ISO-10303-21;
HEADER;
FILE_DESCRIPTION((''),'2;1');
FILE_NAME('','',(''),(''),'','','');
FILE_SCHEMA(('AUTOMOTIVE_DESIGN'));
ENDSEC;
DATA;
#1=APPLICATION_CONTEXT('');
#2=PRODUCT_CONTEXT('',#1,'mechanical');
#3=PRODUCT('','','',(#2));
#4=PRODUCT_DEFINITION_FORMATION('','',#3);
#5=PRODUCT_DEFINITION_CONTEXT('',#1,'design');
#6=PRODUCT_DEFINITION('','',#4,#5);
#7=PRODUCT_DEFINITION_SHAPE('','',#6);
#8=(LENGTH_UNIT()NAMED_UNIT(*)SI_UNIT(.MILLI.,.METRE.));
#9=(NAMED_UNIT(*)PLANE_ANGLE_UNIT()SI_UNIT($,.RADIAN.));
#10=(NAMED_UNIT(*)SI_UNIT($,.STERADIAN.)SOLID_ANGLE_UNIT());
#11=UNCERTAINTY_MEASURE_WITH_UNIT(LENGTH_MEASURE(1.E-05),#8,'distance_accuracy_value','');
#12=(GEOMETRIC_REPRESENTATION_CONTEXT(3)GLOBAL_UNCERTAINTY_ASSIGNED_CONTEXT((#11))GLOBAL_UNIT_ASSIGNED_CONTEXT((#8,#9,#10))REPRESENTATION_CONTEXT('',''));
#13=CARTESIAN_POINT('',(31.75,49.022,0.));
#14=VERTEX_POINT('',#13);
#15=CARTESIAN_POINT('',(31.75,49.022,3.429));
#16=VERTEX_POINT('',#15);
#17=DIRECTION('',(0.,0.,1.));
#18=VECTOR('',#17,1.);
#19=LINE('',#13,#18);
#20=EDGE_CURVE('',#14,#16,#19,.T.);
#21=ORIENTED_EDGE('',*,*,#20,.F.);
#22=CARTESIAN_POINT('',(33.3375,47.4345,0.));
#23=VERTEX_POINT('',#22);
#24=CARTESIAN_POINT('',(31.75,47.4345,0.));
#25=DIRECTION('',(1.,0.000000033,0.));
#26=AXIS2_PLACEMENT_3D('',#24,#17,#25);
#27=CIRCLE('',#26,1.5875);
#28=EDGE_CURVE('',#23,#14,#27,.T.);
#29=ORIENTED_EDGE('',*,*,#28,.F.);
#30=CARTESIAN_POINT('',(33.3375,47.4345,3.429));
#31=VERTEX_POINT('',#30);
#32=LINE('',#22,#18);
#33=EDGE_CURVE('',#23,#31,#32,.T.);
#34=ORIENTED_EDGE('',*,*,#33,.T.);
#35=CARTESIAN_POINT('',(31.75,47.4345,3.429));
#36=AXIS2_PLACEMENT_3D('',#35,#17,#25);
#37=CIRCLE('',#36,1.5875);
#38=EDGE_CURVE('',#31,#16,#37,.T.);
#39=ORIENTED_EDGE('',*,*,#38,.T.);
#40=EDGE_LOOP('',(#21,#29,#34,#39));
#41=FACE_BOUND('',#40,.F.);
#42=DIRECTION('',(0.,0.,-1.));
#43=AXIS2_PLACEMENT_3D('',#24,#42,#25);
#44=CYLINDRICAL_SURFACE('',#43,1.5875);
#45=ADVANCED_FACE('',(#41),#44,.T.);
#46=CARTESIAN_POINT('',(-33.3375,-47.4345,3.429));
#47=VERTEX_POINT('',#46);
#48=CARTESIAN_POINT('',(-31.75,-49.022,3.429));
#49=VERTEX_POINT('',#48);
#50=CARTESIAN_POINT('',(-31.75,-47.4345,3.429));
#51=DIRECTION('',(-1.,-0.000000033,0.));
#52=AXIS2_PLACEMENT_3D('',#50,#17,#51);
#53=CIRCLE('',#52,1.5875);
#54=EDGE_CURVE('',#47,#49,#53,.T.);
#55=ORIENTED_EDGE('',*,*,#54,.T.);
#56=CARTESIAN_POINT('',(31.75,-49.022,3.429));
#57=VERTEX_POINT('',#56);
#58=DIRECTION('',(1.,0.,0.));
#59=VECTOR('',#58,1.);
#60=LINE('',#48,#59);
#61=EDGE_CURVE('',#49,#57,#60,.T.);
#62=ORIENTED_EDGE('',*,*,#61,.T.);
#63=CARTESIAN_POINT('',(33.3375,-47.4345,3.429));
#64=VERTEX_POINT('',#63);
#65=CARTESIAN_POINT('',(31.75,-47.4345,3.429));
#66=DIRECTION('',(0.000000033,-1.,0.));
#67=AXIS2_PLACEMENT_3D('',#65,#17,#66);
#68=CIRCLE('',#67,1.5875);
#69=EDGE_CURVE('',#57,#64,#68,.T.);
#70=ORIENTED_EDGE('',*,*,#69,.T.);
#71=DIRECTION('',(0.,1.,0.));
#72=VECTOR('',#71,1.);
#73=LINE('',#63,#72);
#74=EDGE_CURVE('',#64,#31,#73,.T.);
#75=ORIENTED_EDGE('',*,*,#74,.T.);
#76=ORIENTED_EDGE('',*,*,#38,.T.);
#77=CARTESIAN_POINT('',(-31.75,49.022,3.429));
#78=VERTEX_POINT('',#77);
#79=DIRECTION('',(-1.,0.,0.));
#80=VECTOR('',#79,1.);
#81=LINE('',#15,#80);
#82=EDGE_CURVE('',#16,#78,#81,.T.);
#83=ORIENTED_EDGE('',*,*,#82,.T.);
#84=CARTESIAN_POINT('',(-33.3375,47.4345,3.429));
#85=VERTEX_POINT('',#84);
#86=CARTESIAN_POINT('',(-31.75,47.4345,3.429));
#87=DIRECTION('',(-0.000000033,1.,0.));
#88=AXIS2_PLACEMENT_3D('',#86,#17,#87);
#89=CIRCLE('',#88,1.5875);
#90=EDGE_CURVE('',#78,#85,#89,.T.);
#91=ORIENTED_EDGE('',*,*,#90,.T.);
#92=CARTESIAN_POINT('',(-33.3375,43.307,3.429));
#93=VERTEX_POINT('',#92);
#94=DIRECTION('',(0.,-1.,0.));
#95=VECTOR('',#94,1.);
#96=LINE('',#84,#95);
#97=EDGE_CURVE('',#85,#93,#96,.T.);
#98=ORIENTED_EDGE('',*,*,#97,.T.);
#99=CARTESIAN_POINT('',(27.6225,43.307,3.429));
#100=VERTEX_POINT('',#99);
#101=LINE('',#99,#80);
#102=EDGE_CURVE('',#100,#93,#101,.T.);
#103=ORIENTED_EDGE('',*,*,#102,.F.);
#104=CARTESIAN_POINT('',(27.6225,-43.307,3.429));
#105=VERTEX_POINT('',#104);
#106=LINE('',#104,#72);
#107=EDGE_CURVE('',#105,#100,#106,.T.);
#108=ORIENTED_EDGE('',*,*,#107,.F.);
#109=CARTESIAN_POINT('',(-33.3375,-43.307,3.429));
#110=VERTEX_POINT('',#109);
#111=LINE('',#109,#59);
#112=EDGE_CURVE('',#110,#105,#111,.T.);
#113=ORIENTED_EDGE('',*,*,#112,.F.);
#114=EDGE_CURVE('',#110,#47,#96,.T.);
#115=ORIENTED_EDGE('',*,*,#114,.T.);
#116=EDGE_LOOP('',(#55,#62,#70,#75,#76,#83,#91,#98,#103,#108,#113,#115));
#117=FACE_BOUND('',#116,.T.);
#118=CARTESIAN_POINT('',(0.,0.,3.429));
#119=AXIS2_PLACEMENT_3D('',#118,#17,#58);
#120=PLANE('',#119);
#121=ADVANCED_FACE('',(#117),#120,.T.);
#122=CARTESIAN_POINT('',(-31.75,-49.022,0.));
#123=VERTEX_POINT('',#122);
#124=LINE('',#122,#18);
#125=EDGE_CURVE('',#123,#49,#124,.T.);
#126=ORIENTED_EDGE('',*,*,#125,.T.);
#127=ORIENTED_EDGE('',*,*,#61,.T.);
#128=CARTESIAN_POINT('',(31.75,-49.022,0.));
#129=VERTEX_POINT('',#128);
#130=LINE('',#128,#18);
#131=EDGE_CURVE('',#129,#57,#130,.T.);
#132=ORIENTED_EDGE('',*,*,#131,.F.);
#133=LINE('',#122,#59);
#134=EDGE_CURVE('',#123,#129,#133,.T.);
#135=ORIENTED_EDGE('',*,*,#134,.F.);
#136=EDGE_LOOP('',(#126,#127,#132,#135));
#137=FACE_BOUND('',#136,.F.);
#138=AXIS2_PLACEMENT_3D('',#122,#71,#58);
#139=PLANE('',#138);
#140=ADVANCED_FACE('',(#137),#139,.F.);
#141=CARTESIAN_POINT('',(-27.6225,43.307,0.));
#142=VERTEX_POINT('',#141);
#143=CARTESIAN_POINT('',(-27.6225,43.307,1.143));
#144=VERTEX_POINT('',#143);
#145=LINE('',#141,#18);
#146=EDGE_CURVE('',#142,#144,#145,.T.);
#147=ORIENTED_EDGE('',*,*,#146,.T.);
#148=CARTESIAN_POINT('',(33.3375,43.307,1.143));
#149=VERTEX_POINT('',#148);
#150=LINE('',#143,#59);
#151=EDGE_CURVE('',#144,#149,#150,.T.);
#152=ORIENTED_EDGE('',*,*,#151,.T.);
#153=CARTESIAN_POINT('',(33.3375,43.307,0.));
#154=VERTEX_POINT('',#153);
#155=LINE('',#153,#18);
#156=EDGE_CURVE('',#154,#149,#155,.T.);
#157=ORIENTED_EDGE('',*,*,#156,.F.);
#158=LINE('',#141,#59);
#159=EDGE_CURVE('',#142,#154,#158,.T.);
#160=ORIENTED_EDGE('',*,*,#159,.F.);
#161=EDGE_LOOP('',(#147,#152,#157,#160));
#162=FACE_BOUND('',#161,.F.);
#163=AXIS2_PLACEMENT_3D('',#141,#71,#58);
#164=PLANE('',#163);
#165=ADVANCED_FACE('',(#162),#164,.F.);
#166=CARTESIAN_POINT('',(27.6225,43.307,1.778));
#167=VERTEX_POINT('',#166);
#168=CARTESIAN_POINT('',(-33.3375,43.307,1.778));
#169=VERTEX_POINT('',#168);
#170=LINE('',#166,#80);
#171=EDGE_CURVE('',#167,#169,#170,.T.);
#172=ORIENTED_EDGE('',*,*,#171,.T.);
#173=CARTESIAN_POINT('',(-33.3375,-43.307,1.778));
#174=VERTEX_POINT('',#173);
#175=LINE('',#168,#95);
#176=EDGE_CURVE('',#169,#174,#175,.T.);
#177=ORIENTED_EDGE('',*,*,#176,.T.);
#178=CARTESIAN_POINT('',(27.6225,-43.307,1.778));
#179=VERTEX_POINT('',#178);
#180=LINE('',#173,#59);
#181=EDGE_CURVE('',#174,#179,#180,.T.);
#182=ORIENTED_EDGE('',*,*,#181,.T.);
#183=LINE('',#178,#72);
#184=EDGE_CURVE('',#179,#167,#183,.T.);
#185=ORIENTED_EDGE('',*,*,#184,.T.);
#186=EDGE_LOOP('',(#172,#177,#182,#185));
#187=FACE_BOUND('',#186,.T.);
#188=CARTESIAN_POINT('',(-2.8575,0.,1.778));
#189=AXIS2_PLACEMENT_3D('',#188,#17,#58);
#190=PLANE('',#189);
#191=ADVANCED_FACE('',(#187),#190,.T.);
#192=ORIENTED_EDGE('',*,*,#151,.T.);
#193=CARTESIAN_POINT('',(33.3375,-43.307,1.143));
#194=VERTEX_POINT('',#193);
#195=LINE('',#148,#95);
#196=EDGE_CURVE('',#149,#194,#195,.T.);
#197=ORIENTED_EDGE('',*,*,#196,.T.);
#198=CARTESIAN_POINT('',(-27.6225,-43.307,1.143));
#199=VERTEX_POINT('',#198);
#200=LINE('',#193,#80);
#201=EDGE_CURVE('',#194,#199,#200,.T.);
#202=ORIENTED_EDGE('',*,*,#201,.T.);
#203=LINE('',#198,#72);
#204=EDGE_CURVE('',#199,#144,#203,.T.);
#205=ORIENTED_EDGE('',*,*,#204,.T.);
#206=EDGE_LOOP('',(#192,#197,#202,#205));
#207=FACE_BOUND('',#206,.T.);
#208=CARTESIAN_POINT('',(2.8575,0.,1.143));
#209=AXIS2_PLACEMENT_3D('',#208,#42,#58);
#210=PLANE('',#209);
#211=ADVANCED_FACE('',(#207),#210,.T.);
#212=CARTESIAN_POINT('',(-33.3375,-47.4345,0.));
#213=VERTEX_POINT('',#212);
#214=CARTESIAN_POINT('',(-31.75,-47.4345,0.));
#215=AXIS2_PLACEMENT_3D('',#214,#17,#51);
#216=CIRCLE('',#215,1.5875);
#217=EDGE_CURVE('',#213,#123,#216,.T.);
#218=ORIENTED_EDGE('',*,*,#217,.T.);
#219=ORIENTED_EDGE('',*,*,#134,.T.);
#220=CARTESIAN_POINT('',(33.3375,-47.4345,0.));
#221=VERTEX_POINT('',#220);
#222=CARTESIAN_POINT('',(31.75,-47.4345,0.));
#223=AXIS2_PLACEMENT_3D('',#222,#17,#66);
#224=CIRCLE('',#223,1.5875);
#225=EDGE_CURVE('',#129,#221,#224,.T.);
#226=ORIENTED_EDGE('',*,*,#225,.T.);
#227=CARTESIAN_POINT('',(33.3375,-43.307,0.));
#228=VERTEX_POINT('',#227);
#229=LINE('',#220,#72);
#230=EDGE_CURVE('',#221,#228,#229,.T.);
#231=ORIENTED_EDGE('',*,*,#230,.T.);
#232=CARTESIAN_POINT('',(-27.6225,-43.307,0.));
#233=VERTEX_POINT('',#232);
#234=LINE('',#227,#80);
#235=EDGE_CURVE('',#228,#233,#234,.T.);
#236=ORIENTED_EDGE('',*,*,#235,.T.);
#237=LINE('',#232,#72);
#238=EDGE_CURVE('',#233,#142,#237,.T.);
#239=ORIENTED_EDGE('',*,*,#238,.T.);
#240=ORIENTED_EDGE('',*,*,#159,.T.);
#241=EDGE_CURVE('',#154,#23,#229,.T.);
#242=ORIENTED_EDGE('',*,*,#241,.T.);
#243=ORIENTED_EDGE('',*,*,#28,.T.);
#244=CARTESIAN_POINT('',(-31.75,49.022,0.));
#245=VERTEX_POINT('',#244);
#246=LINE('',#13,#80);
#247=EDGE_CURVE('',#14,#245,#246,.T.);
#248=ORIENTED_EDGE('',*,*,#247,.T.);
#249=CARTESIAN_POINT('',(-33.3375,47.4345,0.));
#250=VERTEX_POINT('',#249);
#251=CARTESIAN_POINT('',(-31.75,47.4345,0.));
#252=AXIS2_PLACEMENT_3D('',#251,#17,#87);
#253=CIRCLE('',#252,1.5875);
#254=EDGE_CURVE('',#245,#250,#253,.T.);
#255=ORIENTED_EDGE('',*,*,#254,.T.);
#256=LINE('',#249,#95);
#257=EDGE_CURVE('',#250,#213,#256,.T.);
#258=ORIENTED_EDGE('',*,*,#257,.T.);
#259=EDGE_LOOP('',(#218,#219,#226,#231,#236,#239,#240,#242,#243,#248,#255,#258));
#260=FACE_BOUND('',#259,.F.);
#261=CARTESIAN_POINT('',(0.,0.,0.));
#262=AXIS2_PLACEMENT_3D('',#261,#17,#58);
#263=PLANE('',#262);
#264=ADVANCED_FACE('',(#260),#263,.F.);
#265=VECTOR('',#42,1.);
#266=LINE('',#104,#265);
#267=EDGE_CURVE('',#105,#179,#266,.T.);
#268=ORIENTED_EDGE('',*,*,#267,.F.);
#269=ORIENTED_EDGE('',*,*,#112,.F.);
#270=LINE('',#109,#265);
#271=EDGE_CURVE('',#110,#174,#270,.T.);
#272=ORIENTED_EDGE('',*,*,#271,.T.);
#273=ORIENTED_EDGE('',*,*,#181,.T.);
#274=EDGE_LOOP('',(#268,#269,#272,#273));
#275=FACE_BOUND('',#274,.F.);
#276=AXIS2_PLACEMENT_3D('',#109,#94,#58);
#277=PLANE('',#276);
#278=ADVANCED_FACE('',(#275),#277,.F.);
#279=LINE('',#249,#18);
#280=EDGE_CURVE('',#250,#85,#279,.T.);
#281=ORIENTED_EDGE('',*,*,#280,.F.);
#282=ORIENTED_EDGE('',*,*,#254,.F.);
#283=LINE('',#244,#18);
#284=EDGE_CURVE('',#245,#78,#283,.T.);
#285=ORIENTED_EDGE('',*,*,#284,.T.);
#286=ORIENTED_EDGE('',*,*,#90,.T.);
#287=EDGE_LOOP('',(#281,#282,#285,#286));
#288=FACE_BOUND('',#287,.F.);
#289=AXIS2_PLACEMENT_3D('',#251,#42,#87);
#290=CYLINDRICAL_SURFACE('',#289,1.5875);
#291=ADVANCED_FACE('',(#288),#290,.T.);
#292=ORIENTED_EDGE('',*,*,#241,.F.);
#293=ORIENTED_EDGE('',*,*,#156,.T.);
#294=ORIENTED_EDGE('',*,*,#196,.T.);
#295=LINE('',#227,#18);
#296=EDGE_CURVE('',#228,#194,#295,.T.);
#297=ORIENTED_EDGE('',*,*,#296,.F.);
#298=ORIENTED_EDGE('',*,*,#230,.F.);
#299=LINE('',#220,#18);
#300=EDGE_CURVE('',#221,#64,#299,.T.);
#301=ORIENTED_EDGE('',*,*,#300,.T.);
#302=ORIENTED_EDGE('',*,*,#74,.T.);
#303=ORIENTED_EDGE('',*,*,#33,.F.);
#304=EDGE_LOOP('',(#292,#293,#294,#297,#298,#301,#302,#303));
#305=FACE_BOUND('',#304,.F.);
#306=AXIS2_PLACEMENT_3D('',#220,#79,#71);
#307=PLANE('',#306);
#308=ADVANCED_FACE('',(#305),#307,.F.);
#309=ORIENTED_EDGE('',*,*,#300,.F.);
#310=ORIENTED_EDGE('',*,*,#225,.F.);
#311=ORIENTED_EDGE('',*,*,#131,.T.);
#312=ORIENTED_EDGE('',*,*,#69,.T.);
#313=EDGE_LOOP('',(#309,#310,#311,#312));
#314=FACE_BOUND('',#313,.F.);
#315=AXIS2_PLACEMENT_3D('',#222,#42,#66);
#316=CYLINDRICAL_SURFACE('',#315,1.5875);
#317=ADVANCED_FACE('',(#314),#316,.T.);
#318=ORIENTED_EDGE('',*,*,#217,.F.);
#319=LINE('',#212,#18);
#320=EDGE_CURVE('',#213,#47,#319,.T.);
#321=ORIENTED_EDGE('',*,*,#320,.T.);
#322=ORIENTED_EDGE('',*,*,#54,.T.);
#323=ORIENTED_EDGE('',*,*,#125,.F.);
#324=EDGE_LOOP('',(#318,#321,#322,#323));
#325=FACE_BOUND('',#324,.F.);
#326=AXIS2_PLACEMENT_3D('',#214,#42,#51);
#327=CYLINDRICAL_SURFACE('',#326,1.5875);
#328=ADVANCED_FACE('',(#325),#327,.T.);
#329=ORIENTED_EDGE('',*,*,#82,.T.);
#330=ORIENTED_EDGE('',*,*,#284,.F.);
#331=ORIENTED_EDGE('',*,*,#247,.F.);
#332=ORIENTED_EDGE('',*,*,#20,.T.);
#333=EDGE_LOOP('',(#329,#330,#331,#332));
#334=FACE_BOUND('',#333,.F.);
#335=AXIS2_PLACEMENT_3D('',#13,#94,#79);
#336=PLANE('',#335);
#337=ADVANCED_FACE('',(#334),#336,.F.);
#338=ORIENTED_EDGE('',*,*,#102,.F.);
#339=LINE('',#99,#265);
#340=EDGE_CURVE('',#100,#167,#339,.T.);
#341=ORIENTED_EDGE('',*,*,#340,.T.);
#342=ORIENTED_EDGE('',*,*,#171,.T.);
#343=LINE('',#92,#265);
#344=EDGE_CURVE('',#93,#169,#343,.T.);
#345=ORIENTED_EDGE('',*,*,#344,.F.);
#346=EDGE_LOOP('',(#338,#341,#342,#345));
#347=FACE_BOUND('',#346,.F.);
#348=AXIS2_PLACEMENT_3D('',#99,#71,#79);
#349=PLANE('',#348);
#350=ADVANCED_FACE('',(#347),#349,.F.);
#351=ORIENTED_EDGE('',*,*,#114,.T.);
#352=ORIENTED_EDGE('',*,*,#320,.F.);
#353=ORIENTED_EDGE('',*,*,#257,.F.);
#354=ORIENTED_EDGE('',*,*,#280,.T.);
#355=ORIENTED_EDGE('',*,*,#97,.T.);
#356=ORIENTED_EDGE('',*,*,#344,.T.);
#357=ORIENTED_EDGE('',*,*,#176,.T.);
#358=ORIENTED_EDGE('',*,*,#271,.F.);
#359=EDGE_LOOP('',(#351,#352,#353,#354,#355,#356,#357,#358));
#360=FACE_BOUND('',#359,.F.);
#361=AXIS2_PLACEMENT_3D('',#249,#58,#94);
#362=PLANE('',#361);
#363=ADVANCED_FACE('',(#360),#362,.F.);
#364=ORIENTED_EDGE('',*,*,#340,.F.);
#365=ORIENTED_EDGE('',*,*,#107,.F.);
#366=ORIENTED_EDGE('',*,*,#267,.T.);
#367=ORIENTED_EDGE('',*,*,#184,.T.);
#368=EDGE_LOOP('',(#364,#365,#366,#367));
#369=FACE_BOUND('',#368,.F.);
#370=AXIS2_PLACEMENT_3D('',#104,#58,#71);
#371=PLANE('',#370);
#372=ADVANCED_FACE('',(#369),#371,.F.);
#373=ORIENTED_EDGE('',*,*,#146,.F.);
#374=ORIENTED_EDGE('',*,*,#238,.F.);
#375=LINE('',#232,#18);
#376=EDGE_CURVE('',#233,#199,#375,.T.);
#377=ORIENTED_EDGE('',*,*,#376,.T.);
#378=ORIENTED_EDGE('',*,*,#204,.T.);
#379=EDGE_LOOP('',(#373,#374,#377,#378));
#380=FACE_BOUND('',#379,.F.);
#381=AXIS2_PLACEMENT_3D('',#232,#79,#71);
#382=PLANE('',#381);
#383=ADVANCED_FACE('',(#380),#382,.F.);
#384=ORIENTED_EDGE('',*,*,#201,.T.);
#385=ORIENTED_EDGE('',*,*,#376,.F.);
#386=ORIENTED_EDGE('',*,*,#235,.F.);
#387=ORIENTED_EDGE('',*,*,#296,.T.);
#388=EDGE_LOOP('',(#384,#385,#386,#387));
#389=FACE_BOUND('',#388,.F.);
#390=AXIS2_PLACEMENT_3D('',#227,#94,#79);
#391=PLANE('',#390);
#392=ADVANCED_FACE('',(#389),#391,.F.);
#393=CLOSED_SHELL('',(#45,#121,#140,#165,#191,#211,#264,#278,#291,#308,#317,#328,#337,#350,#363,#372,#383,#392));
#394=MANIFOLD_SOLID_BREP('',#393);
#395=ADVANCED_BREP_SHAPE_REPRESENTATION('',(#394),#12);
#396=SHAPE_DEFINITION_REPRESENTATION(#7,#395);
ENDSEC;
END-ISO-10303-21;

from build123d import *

# Parameters (mm, degrees)
F1_DEPTH = 3.429
F3_DEPTH = 1.651
F5_DEPTH = 1.143


with BuildPart() as f1:
    # F0 (on Top) → F1 (new body)
    with BuildSketch(Plane.XY):
        with BuildLine():
            Line((-31.75, -49.022), (31.75, -49.022))
            ThreePointArc((31.75, -49.022), (32.872532, -48.557032), (33.3375, -47.4345))
            Line((33.3375, -47.4345), (33.3375, 47.4345))
            ThreePointArc((33.3375, 47.4345), (32.872532, 48.557032), (31.75, 49.022))
            Line((31.75, 49.022), (-31.75, 49.022))
            ThreePointArc((-31.75, 49.022), (-32.872532, 48.557032), (-33.3375, 47.4345))
            Line((-33.3375, 47.4345), (-33.3375, -47.4345))
            ThreePointArc((-33.3375, -47.4345), (-32.872532, -48.557032), (-31.75, -49.022))
        make_face()
    extrude(amount=F1_DEPTH)

    # F2 (on face) → F3 (cut)
    with BuildSketch(Plane.XY.offset(3.429)):
        Polygon((-27.6225, -43.307), (27.6225, -43.307), (27.6225, 43.307), (-27.6225, 43.307), (-33.3375, 43.307), (-33.3375, -43.307), align=None)
    extrude(amount=-F3_DEPTH, mode=Mode.SUBTRACT)

    # F4 (on face) → F5 (cut)
    with BuildSketch(Plane(origin=(0, 0, 0), x_dir=(1, 0, 0), z_dir=(0, 0, -1))):
        Polygon((-27.6225, -43.307), (27.6225, -43.307), (33.3375, -43.307), (33.3375, 43.307), (27.6225, 43.307), (-27.6225, 43.307), align=None)
    extrude(amount=-F5_DEPTH, mode=Mode.SUBTRACT)


solid = f1.part
